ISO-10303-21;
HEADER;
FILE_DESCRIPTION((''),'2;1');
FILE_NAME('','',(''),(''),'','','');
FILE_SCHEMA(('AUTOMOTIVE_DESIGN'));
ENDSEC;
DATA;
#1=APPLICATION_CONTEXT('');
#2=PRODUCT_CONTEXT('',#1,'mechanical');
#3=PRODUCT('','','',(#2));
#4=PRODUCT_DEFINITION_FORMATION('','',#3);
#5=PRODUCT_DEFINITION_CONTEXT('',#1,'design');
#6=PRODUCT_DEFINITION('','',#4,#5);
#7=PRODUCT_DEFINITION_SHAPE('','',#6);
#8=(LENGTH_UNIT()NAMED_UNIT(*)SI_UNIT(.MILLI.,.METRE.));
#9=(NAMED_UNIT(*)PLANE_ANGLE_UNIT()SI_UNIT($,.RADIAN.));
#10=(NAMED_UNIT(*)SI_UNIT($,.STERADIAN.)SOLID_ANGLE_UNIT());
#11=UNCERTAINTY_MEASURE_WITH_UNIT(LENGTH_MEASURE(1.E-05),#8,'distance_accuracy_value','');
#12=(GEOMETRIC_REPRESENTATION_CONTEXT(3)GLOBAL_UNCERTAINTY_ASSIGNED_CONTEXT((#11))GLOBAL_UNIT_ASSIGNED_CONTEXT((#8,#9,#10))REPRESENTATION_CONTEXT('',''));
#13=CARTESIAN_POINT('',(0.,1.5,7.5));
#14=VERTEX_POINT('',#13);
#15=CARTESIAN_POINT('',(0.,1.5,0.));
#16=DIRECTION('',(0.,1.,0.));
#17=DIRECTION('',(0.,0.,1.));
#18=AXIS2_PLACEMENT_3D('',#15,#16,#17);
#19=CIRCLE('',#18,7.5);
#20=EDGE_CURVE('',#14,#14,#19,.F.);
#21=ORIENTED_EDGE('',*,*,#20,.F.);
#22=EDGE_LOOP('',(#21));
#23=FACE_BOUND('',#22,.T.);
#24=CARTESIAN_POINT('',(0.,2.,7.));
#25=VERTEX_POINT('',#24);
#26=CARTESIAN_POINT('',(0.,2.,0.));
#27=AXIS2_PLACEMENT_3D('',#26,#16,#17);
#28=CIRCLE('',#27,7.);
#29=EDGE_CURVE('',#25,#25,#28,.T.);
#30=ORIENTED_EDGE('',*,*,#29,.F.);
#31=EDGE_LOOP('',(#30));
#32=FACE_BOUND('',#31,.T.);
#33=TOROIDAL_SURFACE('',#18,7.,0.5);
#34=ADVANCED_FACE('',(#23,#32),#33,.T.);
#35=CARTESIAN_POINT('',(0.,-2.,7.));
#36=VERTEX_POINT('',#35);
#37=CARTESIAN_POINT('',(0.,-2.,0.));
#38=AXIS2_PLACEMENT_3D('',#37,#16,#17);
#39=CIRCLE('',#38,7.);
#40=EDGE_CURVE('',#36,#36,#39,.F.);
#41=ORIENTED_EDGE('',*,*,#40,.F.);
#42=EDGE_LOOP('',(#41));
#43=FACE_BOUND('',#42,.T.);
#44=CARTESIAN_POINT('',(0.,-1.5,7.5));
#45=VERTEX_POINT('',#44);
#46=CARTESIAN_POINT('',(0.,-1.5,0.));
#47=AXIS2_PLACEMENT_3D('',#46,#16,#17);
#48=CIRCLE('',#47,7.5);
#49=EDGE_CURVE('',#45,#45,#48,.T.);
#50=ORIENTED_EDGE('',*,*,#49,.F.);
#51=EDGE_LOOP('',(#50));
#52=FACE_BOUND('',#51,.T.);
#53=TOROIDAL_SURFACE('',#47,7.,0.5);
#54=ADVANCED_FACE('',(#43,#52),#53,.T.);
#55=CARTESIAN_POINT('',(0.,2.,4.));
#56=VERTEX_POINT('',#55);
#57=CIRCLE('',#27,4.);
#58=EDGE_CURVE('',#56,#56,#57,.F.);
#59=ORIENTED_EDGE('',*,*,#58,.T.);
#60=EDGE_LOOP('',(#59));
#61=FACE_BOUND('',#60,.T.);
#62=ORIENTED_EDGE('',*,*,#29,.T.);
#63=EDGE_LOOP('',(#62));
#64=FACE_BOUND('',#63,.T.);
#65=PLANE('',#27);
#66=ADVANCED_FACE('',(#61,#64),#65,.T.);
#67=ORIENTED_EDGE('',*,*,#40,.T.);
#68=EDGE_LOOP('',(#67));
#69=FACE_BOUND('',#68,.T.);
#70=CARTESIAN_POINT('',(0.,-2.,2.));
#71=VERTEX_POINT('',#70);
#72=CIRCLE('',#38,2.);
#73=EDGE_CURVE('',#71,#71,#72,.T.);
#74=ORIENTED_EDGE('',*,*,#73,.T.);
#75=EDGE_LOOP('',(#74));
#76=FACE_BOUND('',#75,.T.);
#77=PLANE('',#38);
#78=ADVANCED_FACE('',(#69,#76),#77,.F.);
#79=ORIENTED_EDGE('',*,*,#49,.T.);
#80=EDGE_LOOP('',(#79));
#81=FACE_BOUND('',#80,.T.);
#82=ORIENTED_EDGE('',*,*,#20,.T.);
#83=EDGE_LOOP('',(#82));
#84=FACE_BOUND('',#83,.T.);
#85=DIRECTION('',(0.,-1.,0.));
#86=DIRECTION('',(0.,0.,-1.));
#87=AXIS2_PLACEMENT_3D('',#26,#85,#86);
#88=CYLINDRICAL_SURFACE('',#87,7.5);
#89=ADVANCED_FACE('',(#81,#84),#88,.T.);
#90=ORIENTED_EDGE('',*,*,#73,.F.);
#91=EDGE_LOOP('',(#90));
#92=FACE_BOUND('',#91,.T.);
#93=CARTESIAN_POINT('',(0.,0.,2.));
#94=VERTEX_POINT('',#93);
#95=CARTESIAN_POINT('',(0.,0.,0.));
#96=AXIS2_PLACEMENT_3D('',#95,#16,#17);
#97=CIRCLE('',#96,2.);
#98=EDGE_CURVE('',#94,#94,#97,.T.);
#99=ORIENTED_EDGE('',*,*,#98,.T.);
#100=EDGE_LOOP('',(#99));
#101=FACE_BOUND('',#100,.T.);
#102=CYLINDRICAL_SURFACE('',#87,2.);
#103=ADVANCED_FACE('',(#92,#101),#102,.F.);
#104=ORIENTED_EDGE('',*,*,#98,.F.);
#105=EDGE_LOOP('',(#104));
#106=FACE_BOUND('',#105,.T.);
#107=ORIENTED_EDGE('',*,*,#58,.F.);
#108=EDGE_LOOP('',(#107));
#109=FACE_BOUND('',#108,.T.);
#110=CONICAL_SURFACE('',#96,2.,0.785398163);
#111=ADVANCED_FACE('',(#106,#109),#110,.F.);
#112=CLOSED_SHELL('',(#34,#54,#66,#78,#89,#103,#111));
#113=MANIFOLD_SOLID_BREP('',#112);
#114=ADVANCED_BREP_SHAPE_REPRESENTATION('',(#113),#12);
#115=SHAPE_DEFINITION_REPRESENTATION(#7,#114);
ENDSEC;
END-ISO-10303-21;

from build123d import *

# Parameters (mm, degrees)
SKETCH1_R           = 7.5
SKETCH1_R_2         = 2
BOSS_EXTRUDE1_DEPTH = 2
FILLET1_R           = 0.5
CHAMFER1_SIZE       = 2


with BuildPart() as part:
    # Sketch1 → Boss-Extrude1 (new, symmetric)
    with BuildSketch(Plane(origin=(0, 0, 0), x_dir=(1, 0, 0), z_dir=(0, 1, 0))):
        with Locations(Location((0, 0, 0), (0, 0, 270))):
            Circle(SKETCH1_R)
        with Locations(Location((0, 0, 0), (0, 0, 270))):
            Circle(SKETCH1_R_2, mode=Mode.SUBTRACT)
    extrude(amount=BOSS_EXTRUDE1_DEPTH, both=True)

    # Fillet1
    fillet1_edges = [part.edges().sort_by_distance(p)[0] for p in [
        (0, -2, -7.5),
        (0, 2, -7.5),
    ]]
    fillet(fillet1_edges, radius=FILLET1_R)

    # Chamfer1
    chamfer1_edges = [part.edges().sort_by_distance(p)[0] for p in [
        (0, 2, -2),
    ]]
    chamfer(chamfer1_edges, length=CHAMFER1_SIZE)


solid = part.part
